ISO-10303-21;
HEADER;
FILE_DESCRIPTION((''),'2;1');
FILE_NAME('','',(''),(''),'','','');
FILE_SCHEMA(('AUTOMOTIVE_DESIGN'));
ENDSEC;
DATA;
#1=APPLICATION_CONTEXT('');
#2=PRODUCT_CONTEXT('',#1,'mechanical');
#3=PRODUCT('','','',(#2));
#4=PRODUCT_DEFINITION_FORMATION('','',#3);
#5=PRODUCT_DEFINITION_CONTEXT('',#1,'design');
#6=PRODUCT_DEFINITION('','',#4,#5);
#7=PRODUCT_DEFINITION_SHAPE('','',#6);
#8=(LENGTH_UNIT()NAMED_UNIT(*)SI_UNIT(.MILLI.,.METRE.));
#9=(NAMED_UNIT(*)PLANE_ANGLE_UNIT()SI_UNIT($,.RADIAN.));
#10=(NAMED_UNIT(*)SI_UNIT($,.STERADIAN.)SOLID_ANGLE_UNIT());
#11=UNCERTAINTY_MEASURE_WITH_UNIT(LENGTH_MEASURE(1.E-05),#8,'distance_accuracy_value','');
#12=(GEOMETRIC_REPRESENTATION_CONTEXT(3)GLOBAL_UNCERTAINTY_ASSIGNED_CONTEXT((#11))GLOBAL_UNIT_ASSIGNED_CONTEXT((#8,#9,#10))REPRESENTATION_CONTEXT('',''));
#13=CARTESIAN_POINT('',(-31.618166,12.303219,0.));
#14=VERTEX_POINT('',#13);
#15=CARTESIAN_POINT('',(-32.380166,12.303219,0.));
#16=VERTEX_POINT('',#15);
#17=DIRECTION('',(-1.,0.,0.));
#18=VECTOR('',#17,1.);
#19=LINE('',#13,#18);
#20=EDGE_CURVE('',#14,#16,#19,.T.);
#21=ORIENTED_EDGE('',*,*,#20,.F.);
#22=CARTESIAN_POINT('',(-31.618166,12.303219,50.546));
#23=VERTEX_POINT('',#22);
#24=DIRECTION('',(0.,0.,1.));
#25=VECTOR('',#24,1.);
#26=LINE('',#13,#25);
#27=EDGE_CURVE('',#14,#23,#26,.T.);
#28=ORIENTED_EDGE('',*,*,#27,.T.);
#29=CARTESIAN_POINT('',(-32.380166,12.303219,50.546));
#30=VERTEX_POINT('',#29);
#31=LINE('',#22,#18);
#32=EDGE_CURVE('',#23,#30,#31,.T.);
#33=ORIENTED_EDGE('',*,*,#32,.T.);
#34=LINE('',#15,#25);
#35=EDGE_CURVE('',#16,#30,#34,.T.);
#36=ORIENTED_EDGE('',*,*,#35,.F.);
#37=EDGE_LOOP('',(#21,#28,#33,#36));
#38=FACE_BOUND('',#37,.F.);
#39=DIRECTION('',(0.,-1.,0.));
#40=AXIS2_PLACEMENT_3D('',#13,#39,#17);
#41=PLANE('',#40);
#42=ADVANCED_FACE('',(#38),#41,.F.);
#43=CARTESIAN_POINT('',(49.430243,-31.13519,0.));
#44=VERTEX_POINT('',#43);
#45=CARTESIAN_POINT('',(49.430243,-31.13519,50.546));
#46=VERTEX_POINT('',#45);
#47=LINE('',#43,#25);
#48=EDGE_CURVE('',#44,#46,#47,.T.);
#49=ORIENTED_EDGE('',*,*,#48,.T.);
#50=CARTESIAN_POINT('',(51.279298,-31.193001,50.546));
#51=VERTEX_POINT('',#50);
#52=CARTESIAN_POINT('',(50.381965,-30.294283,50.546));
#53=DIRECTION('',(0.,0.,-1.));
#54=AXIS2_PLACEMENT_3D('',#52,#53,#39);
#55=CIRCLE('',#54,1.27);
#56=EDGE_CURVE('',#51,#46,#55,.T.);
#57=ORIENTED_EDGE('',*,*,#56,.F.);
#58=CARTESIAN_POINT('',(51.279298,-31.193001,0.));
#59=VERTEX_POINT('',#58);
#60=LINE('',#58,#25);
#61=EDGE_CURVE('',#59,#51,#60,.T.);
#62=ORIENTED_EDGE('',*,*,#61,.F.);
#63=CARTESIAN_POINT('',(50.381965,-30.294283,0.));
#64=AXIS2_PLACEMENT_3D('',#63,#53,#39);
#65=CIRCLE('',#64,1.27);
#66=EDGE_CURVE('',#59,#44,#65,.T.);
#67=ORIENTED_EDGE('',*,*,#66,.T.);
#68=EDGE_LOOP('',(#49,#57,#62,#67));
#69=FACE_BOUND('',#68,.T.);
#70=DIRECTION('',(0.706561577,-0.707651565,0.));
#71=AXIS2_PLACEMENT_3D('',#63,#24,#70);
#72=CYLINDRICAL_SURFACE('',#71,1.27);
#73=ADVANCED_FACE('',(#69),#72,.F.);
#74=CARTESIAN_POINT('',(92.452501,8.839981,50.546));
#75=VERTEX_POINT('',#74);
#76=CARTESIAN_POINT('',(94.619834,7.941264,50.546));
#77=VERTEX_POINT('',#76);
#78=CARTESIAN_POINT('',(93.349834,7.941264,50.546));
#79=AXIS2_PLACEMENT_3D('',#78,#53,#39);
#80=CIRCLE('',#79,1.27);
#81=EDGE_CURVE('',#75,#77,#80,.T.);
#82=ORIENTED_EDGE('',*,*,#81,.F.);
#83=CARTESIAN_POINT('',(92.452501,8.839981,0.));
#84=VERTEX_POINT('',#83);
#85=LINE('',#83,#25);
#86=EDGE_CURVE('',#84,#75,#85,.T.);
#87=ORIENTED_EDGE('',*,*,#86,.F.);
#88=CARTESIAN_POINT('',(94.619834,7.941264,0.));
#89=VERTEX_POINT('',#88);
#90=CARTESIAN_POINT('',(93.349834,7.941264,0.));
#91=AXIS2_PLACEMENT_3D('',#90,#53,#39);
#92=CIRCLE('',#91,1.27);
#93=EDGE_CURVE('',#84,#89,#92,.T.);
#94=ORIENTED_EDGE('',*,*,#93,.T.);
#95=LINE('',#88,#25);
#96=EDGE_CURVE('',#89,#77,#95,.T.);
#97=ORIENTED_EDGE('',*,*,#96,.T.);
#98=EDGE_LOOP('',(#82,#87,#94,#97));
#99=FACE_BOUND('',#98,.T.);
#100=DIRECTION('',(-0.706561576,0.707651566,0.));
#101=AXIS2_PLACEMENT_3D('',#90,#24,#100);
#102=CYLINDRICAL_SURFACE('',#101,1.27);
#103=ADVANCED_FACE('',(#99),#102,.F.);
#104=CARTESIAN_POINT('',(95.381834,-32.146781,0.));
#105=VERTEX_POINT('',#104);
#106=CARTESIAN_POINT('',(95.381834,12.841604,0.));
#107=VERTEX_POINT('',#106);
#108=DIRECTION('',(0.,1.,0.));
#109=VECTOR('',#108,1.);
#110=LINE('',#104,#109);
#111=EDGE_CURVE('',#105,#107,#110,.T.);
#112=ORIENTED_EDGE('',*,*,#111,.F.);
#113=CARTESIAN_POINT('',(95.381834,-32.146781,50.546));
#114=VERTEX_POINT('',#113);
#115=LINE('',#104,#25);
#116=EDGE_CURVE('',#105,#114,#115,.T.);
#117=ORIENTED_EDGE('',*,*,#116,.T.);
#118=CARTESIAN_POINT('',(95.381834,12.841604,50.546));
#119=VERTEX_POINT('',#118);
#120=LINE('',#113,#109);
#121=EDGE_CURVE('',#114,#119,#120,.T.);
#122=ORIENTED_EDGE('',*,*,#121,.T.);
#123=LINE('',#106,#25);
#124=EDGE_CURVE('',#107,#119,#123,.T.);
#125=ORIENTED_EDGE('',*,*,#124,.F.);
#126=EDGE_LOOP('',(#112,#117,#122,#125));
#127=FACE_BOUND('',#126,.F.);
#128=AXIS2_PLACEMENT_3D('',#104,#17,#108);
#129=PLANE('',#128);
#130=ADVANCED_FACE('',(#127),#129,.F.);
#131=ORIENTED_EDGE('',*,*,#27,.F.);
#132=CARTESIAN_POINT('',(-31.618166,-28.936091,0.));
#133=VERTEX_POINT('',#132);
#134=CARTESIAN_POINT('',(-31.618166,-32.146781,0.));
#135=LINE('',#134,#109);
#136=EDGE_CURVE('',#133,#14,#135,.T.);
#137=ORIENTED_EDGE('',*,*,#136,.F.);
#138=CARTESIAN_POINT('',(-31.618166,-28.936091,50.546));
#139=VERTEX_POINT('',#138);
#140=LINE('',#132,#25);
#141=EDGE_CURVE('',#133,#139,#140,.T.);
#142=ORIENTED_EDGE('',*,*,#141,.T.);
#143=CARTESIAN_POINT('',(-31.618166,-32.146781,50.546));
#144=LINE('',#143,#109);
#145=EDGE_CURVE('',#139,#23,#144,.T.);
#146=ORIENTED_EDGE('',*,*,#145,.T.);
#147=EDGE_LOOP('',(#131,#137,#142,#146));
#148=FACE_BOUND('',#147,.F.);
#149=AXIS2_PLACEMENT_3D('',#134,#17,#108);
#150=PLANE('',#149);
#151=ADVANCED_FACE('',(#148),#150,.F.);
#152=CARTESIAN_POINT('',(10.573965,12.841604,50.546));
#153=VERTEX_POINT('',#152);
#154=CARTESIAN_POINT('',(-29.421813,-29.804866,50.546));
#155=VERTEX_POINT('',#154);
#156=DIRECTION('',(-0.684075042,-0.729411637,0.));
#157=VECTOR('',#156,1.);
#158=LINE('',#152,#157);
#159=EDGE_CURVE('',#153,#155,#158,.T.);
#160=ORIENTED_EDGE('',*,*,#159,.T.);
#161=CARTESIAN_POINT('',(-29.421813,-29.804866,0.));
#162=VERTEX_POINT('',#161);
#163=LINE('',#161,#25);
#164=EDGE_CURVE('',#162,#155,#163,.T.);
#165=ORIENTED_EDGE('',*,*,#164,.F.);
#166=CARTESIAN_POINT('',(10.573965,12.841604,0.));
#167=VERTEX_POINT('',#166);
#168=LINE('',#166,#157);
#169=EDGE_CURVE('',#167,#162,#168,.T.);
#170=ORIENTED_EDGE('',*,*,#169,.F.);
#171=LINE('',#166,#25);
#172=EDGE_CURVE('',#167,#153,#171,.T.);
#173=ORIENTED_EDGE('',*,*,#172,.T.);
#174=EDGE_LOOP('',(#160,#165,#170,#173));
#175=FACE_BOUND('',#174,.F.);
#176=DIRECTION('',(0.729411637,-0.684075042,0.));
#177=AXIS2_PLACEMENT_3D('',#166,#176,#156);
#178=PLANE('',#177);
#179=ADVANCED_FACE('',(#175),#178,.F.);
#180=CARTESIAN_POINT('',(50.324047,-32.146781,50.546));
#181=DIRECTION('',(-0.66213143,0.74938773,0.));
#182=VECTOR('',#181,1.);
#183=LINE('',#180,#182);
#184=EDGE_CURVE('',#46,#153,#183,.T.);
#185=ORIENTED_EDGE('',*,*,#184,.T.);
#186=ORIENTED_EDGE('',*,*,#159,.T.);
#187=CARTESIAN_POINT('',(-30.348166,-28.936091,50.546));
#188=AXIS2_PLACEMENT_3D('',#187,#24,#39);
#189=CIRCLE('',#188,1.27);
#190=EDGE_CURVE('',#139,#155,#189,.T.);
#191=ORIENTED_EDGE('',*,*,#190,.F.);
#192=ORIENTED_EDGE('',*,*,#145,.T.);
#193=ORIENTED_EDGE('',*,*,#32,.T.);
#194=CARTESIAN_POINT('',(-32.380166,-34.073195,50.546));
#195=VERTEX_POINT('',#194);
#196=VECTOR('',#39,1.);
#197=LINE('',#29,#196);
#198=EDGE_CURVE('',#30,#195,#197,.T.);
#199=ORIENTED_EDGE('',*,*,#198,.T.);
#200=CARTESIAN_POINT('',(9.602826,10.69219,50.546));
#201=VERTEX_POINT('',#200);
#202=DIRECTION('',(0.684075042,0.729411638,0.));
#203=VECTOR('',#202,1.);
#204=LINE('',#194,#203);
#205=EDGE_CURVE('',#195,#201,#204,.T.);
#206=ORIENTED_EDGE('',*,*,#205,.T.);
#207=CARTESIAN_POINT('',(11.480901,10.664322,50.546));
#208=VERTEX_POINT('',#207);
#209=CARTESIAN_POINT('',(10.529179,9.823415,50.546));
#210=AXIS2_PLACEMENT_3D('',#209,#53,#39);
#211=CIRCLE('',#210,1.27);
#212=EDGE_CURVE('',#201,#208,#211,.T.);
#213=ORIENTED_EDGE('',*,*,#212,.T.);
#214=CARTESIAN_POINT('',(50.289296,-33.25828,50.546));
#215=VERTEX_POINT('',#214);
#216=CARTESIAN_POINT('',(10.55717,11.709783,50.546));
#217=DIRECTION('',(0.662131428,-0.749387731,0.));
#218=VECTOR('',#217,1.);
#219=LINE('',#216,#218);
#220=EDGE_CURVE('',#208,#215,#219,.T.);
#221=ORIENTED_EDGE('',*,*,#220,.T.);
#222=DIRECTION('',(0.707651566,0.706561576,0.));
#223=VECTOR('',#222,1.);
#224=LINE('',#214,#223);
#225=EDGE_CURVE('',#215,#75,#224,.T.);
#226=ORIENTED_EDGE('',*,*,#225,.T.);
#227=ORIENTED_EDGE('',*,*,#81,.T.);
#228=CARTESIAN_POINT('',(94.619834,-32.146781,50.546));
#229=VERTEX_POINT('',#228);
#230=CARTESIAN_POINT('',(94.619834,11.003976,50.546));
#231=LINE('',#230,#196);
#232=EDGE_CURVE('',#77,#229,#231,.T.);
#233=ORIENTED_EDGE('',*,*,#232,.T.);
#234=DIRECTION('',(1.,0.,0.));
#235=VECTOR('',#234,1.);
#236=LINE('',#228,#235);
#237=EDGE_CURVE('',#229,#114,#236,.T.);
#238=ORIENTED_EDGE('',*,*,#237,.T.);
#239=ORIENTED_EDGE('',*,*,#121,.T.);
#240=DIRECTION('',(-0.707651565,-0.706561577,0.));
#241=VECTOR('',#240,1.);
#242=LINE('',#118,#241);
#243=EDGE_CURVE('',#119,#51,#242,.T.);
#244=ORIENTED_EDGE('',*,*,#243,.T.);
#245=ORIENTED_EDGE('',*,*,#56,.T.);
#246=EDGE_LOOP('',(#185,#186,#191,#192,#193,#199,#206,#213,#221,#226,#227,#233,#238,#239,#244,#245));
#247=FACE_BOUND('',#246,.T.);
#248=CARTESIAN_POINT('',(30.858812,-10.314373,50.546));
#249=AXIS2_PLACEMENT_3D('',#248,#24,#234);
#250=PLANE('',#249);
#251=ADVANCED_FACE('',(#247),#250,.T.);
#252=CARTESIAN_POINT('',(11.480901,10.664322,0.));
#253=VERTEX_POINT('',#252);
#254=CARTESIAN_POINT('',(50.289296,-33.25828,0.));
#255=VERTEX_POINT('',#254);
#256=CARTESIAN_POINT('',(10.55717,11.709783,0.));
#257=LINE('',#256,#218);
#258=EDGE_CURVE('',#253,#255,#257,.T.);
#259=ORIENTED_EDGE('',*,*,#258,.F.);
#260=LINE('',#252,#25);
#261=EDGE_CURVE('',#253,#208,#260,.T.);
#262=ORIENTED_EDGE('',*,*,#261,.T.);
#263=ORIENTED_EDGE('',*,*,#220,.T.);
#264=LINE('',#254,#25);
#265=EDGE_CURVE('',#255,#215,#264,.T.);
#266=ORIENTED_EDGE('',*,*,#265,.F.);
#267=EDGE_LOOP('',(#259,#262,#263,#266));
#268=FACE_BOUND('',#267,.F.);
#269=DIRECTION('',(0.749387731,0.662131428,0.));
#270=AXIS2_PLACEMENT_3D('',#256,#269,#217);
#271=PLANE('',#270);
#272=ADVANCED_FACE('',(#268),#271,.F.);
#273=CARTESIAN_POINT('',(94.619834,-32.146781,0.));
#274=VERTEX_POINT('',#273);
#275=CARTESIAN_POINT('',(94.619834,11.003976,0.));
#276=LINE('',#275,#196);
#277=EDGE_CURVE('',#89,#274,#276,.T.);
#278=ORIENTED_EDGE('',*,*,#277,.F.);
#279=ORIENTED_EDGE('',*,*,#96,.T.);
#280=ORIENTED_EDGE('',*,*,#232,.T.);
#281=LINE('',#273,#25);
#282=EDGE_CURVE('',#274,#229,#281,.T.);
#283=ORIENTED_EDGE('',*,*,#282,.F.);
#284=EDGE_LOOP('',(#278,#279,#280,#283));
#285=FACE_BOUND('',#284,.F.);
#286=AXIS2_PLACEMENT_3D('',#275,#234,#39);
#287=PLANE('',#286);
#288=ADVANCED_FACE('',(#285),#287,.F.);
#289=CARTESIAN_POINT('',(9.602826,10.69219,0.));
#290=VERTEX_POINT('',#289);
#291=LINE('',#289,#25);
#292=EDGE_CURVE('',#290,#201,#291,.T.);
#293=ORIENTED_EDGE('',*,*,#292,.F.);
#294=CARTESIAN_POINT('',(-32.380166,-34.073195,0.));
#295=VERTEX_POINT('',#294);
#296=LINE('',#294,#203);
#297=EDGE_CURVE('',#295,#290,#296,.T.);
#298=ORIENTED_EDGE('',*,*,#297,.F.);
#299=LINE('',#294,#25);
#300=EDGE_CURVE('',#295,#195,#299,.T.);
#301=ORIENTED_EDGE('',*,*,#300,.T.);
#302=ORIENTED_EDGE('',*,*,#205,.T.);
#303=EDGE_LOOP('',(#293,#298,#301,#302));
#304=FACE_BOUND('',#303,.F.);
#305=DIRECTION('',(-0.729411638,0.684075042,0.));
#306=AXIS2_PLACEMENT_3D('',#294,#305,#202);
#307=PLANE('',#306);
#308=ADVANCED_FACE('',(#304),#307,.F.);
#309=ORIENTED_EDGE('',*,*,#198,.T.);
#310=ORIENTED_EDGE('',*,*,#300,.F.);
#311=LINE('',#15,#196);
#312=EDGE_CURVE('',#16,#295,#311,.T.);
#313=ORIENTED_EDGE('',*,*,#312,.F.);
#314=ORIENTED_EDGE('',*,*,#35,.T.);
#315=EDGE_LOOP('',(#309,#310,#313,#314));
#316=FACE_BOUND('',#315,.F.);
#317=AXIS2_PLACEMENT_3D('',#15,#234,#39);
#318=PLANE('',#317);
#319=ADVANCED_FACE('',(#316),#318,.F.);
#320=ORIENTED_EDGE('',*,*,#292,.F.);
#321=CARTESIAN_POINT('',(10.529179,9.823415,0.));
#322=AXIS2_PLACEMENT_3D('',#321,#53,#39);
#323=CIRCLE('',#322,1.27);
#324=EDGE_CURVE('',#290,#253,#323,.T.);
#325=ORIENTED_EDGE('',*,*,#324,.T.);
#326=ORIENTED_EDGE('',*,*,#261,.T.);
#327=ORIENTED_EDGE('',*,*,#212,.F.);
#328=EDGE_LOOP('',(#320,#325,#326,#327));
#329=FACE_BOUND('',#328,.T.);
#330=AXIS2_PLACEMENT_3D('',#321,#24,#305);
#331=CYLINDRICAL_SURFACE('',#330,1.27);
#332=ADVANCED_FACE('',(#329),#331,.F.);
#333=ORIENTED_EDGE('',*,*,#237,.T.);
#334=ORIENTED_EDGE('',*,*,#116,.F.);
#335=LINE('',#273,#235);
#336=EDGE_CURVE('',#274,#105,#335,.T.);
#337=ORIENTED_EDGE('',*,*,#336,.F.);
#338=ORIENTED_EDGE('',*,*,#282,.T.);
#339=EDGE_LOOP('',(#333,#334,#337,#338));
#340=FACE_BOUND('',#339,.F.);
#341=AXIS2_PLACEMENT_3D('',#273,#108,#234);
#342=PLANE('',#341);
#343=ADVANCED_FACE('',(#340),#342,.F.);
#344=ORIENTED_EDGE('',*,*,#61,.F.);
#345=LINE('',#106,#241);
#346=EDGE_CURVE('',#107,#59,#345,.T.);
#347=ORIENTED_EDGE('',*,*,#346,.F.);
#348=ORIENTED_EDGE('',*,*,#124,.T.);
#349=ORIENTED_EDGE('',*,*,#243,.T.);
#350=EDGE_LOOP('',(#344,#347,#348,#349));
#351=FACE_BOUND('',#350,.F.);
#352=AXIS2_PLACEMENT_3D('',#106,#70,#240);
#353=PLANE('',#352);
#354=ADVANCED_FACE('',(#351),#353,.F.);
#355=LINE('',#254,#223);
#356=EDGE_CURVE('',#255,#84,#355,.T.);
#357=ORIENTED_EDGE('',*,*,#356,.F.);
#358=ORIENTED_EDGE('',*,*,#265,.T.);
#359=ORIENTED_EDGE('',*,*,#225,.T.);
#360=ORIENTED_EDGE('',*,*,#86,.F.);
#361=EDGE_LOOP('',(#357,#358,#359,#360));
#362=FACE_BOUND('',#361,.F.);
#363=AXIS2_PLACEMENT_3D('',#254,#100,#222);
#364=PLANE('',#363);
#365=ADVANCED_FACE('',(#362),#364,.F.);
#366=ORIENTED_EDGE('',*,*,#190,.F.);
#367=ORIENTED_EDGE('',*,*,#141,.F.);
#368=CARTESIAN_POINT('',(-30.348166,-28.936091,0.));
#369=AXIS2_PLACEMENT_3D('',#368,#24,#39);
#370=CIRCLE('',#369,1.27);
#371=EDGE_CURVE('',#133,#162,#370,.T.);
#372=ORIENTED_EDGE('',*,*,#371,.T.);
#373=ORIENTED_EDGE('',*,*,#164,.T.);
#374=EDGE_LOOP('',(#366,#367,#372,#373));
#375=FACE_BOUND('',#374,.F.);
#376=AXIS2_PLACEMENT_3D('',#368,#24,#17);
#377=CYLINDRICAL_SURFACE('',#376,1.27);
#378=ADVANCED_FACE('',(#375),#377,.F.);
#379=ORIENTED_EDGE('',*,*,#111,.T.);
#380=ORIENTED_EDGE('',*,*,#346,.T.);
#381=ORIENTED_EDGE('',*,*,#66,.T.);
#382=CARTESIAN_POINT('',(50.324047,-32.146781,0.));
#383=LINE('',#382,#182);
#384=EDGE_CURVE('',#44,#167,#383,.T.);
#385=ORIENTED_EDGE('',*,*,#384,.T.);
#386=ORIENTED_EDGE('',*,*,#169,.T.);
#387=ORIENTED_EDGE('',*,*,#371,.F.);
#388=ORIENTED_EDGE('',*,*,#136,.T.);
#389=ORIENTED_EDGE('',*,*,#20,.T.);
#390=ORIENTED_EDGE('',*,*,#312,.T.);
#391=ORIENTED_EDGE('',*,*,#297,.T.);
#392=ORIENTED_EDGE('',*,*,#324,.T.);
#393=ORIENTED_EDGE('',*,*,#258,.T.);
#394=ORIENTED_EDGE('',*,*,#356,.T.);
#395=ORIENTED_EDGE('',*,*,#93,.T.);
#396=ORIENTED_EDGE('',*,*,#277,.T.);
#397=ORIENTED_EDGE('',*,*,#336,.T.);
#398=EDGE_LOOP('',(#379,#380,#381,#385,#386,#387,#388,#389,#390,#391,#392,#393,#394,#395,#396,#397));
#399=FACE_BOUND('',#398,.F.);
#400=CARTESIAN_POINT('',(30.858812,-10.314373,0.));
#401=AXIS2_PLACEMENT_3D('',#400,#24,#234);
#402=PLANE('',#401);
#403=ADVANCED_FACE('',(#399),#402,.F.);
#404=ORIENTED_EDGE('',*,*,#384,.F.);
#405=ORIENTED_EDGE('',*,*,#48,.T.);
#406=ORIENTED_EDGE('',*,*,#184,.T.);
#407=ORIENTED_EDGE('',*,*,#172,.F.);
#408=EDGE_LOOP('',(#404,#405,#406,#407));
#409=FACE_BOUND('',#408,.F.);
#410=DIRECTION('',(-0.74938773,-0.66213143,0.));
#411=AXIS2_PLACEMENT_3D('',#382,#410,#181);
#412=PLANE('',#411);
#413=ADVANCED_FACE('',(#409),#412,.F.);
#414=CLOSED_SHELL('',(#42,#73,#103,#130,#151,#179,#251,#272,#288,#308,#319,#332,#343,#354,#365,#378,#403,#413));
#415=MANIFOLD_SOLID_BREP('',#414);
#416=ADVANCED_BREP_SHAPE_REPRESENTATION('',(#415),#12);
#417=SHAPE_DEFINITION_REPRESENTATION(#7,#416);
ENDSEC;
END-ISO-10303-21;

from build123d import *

# Parameters (mm, degrees)
F1_DEPTH = 50.546
F2_R     = 1.27


with BuildPart() as f1:
    # F0 (on Top) → F1 (new body)
    with BuildSketch(Plane.XY):
        Polygon((-31.618166, -32.146781), (-31.618166, 12.303219), (-32.380166, 12.303219), (-32.380166, -34.073195), (10.55717, 11.709783), (50.289296, -33.25828), (94.619834, 11.003976), (94.619834, -32.146781), (95.381834, -32.146781), (95.381834, 12.841604), (50.324047, -32.146781), (10.573965, 12.841604), align=None)
    extrude(amount=F1_DEPTH)

    # F2
    f2_edges = [f1.edges().sort_by_distance(p)[0] for p in [
        (10.55717, 11.709783, 25.273),
        (-31.618166, -32.146781, 25.273),
        (50.324047, -32.146781, 25.273),
        (94.619834, 11.003976, 25.273),
    ]]
    fillet(f2_edges, radius=F2_R)


solid = f1.part
